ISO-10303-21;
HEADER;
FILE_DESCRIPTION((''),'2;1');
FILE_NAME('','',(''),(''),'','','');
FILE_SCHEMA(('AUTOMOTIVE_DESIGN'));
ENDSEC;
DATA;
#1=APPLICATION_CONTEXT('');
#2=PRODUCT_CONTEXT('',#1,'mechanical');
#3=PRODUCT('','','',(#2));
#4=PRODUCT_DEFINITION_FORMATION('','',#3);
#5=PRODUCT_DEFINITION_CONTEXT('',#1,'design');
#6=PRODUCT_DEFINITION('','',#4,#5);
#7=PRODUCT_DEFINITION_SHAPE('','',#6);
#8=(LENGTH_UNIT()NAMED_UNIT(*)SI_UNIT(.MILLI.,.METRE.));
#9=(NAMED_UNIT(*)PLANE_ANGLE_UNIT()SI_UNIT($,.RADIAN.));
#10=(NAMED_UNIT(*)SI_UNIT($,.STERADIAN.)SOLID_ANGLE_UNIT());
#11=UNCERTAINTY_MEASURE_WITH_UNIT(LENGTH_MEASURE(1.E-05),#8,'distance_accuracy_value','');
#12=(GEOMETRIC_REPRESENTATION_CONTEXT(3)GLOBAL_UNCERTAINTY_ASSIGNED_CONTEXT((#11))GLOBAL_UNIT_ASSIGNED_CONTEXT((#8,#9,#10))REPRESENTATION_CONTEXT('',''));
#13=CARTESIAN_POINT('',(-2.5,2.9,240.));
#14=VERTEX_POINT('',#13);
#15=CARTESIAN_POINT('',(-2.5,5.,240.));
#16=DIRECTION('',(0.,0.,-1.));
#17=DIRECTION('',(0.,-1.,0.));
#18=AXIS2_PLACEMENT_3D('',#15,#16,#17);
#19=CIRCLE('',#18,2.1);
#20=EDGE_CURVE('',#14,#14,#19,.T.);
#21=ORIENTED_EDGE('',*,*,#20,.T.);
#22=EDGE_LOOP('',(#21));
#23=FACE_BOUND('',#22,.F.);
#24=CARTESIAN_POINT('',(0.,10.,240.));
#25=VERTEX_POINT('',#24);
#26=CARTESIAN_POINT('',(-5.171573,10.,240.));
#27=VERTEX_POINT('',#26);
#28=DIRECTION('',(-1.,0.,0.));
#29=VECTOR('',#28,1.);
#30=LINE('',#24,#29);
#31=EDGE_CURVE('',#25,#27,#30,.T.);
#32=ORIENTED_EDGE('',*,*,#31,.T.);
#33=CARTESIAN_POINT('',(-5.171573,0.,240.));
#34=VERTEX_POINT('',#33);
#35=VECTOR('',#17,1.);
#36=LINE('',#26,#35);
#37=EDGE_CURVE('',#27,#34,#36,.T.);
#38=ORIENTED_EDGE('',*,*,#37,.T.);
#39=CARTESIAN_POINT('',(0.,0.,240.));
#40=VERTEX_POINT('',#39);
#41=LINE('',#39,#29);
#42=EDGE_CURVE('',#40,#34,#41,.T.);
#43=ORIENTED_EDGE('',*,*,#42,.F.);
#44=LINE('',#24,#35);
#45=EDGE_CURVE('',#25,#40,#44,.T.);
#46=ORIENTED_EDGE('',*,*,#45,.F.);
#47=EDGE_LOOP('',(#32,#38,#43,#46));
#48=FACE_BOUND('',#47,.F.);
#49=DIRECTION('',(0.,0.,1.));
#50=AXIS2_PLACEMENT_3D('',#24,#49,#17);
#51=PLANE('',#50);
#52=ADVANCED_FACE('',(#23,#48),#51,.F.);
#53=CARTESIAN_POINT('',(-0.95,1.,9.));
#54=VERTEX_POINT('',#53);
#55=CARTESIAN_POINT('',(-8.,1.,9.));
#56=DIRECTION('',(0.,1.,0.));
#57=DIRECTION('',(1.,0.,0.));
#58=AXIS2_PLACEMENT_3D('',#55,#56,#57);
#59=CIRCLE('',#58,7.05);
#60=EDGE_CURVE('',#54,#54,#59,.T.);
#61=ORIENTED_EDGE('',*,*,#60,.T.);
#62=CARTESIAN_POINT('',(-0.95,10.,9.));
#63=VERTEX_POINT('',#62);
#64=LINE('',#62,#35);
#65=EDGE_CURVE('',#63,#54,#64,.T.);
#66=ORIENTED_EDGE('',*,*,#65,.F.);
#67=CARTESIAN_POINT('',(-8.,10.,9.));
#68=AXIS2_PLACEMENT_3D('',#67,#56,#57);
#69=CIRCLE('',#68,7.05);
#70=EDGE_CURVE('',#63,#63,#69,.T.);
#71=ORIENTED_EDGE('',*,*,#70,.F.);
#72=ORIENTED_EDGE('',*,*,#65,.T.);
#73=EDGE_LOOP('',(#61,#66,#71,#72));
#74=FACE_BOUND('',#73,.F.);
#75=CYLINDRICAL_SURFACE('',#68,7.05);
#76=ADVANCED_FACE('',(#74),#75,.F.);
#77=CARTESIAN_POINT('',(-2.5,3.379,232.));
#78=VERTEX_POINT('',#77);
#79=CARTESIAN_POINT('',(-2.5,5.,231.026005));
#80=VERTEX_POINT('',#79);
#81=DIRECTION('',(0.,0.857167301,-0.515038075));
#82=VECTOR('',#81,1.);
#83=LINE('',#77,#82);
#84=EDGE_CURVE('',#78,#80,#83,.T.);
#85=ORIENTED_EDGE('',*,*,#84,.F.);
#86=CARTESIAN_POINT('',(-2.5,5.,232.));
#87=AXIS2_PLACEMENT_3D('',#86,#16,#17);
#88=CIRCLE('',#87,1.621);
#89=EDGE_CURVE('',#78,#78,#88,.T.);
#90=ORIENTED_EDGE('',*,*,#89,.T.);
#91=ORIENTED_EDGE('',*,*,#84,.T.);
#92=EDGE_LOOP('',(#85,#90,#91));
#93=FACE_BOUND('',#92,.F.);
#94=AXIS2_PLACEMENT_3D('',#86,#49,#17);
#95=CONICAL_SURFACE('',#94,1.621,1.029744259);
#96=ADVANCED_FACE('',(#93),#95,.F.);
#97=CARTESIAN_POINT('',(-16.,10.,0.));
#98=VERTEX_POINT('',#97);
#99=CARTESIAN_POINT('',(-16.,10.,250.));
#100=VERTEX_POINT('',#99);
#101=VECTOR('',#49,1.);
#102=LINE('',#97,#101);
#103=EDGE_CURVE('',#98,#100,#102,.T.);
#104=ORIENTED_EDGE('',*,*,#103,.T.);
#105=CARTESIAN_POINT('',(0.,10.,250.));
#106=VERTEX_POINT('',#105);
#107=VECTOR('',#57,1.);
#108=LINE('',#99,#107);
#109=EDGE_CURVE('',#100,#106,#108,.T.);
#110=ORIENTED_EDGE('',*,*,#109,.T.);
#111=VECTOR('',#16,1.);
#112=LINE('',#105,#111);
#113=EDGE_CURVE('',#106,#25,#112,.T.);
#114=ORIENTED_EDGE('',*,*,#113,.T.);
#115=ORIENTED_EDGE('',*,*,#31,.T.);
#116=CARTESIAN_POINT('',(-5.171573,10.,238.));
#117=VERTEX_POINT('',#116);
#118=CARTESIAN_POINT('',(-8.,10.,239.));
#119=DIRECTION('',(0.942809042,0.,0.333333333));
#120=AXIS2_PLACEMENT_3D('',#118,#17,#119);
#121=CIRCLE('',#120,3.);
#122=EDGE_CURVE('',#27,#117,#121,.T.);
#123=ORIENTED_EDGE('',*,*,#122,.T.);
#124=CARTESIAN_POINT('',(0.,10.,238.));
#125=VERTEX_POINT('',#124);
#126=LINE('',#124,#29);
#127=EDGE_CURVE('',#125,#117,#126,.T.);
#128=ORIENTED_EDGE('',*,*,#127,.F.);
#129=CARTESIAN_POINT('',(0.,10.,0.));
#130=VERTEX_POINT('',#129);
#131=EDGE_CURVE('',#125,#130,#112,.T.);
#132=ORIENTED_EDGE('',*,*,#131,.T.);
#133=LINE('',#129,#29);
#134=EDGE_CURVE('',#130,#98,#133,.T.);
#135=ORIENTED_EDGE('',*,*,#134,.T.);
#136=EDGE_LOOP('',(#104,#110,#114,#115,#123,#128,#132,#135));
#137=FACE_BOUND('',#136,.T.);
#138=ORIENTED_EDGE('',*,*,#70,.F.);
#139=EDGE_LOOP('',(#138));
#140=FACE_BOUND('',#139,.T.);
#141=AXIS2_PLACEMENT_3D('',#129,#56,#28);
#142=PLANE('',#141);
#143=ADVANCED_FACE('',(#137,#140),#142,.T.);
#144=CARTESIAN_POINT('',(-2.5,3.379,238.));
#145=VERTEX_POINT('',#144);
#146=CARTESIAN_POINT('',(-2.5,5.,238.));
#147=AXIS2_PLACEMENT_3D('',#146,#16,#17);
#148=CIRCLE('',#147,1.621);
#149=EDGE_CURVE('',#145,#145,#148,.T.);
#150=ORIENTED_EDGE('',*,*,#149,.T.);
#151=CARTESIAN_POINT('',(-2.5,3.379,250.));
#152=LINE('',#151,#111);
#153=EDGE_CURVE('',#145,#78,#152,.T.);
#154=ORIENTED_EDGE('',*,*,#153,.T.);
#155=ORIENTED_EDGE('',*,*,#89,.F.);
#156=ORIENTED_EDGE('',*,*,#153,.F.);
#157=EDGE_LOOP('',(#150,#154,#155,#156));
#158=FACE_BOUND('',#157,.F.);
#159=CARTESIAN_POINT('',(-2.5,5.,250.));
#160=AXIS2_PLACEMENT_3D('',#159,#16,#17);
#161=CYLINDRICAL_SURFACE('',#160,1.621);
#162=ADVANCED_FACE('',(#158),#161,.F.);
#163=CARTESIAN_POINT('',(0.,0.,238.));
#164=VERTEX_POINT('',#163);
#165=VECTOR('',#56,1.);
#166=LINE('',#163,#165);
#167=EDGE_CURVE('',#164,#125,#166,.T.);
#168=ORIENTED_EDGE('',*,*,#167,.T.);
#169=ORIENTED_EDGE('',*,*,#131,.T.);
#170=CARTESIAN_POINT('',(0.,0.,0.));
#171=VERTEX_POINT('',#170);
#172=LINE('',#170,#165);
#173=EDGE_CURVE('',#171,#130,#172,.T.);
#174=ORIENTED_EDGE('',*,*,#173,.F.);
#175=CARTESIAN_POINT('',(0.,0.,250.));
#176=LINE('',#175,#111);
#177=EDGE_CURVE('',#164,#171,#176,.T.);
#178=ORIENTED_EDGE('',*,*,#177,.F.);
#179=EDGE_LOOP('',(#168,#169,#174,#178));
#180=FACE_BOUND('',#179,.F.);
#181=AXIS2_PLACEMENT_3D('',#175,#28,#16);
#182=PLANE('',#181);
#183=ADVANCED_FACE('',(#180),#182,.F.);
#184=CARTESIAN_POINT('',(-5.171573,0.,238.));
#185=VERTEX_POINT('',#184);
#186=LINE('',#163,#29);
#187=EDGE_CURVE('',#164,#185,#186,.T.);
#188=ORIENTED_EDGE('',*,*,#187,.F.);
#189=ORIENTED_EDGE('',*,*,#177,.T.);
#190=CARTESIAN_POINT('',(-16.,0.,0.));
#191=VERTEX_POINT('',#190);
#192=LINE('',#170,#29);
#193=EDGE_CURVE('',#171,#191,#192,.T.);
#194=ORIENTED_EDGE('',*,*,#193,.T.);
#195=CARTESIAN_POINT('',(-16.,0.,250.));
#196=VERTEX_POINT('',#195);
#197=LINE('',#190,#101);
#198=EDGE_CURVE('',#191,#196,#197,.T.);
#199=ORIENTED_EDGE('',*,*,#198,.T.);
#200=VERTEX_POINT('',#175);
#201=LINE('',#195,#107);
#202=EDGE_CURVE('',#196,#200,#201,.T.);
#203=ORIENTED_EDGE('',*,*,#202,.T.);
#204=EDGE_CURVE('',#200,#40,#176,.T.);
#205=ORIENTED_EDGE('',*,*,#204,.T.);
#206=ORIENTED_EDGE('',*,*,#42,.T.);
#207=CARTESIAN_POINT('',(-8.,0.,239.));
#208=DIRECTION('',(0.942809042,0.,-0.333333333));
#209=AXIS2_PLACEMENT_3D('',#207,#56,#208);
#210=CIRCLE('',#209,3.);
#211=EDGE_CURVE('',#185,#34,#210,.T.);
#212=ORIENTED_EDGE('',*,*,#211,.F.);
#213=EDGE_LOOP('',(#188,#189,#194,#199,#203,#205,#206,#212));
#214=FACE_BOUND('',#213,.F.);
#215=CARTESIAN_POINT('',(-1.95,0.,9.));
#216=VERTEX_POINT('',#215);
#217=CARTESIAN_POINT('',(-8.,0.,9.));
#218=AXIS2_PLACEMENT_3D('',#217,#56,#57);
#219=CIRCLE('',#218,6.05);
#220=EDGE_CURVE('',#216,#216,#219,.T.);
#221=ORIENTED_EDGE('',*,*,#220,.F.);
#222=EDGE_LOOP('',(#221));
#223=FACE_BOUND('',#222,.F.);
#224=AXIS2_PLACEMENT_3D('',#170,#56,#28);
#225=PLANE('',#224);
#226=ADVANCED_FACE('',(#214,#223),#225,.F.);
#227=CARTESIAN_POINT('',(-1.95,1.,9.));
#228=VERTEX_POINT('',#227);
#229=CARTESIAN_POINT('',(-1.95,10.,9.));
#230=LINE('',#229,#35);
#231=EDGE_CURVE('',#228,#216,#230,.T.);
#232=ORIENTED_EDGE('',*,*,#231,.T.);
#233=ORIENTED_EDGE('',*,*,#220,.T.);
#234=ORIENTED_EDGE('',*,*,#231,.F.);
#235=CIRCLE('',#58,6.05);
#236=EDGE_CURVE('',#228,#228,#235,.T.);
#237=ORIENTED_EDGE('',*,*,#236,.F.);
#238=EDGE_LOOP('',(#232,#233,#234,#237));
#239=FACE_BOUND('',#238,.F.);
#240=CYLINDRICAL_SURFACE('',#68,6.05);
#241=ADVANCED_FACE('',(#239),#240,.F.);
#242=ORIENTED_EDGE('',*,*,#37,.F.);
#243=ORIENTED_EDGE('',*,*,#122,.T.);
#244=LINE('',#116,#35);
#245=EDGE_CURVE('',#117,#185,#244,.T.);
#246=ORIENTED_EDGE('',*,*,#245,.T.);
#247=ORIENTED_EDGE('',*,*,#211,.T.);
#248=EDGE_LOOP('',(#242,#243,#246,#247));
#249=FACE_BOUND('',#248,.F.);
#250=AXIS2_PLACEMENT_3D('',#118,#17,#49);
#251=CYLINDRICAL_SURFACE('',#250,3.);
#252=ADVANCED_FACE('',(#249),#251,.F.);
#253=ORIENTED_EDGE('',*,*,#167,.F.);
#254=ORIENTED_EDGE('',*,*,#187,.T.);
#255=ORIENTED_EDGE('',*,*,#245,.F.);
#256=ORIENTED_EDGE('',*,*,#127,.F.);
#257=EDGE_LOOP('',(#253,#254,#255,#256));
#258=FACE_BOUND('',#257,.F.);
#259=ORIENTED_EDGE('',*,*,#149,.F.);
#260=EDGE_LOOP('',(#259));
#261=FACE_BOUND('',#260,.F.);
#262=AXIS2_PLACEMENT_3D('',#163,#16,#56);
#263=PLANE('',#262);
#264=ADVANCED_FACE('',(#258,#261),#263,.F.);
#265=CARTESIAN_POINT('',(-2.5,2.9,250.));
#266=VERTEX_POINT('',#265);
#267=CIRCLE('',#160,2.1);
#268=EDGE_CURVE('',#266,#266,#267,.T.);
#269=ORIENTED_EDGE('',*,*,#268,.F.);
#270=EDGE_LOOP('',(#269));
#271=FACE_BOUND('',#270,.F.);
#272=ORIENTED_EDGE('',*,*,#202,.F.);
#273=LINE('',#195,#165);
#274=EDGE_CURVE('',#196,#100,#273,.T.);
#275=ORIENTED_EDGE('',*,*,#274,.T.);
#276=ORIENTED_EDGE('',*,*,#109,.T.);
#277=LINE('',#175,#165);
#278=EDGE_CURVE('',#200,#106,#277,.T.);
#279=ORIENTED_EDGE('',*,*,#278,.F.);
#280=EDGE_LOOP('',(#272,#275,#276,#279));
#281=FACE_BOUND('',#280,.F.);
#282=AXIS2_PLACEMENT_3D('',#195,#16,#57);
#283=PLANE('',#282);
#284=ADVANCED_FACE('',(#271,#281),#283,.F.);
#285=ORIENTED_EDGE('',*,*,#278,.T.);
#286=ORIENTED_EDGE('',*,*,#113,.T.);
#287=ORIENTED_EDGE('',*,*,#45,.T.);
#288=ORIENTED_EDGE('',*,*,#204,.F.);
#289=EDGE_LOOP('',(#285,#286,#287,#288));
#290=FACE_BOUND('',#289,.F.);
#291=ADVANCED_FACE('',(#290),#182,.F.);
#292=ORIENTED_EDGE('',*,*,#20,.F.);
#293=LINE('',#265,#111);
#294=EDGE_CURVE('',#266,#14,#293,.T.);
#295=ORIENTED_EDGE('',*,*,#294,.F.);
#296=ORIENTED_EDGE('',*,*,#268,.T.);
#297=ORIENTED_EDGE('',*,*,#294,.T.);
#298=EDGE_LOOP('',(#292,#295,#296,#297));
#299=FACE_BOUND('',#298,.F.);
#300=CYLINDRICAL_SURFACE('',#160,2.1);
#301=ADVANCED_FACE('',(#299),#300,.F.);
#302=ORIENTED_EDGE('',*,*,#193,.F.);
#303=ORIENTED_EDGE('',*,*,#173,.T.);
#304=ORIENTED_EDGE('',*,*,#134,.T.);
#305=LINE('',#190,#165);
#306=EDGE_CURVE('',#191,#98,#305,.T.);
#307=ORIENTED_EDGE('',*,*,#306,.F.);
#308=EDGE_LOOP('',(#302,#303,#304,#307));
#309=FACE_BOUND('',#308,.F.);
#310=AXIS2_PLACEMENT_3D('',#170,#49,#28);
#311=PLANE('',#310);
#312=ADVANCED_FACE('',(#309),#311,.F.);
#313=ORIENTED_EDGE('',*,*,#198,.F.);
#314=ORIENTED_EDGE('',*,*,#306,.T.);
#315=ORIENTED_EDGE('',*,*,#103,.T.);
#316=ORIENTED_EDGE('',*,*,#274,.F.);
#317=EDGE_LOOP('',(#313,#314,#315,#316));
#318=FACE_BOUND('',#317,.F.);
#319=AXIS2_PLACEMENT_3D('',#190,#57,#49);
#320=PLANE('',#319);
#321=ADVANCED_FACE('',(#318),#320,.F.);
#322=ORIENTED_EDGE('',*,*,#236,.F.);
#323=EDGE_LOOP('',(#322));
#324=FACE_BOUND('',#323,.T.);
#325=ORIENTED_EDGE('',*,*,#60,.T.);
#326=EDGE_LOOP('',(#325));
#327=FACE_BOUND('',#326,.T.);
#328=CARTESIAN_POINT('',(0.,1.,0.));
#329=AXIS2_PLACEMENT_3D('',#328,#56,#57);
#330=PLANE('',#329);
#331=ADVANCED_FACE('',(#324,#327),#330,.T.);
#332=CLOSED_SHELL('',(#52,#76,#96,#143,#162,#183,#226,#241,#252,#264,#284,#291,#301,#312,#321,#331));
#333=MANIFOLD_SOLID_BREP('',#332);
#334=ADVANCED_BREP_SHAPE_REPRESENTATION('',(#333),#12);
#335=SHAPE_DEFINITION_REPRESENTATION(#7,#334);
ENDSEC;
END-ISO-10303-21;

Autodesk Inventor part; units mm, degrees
ref_plane "YZ Plane" through (0, 0, 0) normal (1, 0, 0) x (0, 1, 0)
ref_plane "XZ Plane" through (0, 0, 0) normal (0, 1, 0) x (-1, 0, 0)
ref_plane "XY Plane" through (0, 0, 0) normal (0, 0, 1) x (1, 0, 0)
sketch "Skizze2" plane through (0, 0, 0) normal (0, 1, 0) x (-1, 0, 0)
  line L0 (0, 0) -> (16, 0)
  line L1 (16, 0) -> (16, 250)
  line L2 (16, 250) -> (0, 250)
  line L3 (0, 250) -> (0, 0)
  dimension "d0" = 16
  dimension "d1" = 250
extrude "Extrusion1" add sketch "Skizze2" along normal blind 10
sketch "Skizze3" plane through (0, 0, 250) normal (1, 0, 0) x (0, 0, -1)
  line L0 (250, 0) -> (0, 0) projected
  line L1 (250, 10) -> (0, 10) projected
  line L2 (10, 0) -> (12, 0)
  line L3 (12, 0) -> (12, 10)
  line L4 (12, 10) -> (10, 10)
  line L5 (10, 10) -> (10, 0)
  line L6 (0, 0) -> (0, 10) projected
  point P0 (10, 10)
  point P1 (12, 0)
  dimension "d4" = 2
  dimension "d5" = 10
extrude "Extrusion2" cut sketch "Skizze3" against normal blind 7.5 contours L0 L5 L1 L3
sketch "Skizze4" plane through (-16, 0, 250) normal (0, 0, 1) x (1, 0, 0)
  line L0 (0, 0) -> (16, 0) projected
  line L1 (16, 0) -> (16, 10) projected
  point P0 (13.5, 5)
  dimension "d8" = 5
  dimension "d9" = 2.5
hole "Bohrung1" at (-2.5, 5, 250) direction (0, 0, -1) diameter 4.2 depth 12
sketch "Skizze5" plane through (0, 10, 0) normal (0, 1, 0) x (1, 0, 0)
  line L0 (-16, -250) -> (0, -250) projected
  line L1 (-16, 0) -> (-16, -250) projected
  point P0 (0, 0)
  point P1 (-8, -239)
  dimension "d17" = 11
  dimension "d18" = 8
hole "Bohrung2" at (-8, 10, 239) direction (0, -1, 0) diameter 6 depth 18 tip angle 118
sketch "Skizze7" plane through (0, 10, 0) normal (0, 1, 0) x (1, 0, 0)
  circle A0 centre (-8, -9) radius 7.05
  line L0 (0, -238) -> (0, 0) projected
  line L1 (0, 0) -> (-16, 0) projected
  arc A1 (-5.1716, -238) -> (-5.1716, -240) centre (-8, -239) ccw projected
  dimension "d35" = 14.1
  dimension "d36" = 8
  dimension "d43" = 230
extrude "Extrusion3" cut sketch "Skizze7" against normal blind 9
sketch "Skizze9" plane through (0, 10, 0) normal (0, 1, 0) x (1, 0, 0)
  circle A0 centre (-8, -9) radius 7.05 projected
  circle A1 centre (-8, -9) radius 6.05
  point P0 (0, 0)
  dimension "d40" = 12.1
extrude "Extrusion4" cut sketch "Skizze9" against normal through all contours A1
sketch "Skizze10" plane through (-16, 0, 250) normal (0, 0, 1) x (1, 0, 0)
  circle A0 centre (13.5, 5) radius 2.1 projected
  point P0 (16, 0)
hole "Bohrung4" at (-2.5, 5, 250) direction (0, 0, -1) diameter 3.242 depth 18 tip angle 118 thread size "M4x0.7" class "6H" standard "ISO Metric profile"
properties part number "Arm"
